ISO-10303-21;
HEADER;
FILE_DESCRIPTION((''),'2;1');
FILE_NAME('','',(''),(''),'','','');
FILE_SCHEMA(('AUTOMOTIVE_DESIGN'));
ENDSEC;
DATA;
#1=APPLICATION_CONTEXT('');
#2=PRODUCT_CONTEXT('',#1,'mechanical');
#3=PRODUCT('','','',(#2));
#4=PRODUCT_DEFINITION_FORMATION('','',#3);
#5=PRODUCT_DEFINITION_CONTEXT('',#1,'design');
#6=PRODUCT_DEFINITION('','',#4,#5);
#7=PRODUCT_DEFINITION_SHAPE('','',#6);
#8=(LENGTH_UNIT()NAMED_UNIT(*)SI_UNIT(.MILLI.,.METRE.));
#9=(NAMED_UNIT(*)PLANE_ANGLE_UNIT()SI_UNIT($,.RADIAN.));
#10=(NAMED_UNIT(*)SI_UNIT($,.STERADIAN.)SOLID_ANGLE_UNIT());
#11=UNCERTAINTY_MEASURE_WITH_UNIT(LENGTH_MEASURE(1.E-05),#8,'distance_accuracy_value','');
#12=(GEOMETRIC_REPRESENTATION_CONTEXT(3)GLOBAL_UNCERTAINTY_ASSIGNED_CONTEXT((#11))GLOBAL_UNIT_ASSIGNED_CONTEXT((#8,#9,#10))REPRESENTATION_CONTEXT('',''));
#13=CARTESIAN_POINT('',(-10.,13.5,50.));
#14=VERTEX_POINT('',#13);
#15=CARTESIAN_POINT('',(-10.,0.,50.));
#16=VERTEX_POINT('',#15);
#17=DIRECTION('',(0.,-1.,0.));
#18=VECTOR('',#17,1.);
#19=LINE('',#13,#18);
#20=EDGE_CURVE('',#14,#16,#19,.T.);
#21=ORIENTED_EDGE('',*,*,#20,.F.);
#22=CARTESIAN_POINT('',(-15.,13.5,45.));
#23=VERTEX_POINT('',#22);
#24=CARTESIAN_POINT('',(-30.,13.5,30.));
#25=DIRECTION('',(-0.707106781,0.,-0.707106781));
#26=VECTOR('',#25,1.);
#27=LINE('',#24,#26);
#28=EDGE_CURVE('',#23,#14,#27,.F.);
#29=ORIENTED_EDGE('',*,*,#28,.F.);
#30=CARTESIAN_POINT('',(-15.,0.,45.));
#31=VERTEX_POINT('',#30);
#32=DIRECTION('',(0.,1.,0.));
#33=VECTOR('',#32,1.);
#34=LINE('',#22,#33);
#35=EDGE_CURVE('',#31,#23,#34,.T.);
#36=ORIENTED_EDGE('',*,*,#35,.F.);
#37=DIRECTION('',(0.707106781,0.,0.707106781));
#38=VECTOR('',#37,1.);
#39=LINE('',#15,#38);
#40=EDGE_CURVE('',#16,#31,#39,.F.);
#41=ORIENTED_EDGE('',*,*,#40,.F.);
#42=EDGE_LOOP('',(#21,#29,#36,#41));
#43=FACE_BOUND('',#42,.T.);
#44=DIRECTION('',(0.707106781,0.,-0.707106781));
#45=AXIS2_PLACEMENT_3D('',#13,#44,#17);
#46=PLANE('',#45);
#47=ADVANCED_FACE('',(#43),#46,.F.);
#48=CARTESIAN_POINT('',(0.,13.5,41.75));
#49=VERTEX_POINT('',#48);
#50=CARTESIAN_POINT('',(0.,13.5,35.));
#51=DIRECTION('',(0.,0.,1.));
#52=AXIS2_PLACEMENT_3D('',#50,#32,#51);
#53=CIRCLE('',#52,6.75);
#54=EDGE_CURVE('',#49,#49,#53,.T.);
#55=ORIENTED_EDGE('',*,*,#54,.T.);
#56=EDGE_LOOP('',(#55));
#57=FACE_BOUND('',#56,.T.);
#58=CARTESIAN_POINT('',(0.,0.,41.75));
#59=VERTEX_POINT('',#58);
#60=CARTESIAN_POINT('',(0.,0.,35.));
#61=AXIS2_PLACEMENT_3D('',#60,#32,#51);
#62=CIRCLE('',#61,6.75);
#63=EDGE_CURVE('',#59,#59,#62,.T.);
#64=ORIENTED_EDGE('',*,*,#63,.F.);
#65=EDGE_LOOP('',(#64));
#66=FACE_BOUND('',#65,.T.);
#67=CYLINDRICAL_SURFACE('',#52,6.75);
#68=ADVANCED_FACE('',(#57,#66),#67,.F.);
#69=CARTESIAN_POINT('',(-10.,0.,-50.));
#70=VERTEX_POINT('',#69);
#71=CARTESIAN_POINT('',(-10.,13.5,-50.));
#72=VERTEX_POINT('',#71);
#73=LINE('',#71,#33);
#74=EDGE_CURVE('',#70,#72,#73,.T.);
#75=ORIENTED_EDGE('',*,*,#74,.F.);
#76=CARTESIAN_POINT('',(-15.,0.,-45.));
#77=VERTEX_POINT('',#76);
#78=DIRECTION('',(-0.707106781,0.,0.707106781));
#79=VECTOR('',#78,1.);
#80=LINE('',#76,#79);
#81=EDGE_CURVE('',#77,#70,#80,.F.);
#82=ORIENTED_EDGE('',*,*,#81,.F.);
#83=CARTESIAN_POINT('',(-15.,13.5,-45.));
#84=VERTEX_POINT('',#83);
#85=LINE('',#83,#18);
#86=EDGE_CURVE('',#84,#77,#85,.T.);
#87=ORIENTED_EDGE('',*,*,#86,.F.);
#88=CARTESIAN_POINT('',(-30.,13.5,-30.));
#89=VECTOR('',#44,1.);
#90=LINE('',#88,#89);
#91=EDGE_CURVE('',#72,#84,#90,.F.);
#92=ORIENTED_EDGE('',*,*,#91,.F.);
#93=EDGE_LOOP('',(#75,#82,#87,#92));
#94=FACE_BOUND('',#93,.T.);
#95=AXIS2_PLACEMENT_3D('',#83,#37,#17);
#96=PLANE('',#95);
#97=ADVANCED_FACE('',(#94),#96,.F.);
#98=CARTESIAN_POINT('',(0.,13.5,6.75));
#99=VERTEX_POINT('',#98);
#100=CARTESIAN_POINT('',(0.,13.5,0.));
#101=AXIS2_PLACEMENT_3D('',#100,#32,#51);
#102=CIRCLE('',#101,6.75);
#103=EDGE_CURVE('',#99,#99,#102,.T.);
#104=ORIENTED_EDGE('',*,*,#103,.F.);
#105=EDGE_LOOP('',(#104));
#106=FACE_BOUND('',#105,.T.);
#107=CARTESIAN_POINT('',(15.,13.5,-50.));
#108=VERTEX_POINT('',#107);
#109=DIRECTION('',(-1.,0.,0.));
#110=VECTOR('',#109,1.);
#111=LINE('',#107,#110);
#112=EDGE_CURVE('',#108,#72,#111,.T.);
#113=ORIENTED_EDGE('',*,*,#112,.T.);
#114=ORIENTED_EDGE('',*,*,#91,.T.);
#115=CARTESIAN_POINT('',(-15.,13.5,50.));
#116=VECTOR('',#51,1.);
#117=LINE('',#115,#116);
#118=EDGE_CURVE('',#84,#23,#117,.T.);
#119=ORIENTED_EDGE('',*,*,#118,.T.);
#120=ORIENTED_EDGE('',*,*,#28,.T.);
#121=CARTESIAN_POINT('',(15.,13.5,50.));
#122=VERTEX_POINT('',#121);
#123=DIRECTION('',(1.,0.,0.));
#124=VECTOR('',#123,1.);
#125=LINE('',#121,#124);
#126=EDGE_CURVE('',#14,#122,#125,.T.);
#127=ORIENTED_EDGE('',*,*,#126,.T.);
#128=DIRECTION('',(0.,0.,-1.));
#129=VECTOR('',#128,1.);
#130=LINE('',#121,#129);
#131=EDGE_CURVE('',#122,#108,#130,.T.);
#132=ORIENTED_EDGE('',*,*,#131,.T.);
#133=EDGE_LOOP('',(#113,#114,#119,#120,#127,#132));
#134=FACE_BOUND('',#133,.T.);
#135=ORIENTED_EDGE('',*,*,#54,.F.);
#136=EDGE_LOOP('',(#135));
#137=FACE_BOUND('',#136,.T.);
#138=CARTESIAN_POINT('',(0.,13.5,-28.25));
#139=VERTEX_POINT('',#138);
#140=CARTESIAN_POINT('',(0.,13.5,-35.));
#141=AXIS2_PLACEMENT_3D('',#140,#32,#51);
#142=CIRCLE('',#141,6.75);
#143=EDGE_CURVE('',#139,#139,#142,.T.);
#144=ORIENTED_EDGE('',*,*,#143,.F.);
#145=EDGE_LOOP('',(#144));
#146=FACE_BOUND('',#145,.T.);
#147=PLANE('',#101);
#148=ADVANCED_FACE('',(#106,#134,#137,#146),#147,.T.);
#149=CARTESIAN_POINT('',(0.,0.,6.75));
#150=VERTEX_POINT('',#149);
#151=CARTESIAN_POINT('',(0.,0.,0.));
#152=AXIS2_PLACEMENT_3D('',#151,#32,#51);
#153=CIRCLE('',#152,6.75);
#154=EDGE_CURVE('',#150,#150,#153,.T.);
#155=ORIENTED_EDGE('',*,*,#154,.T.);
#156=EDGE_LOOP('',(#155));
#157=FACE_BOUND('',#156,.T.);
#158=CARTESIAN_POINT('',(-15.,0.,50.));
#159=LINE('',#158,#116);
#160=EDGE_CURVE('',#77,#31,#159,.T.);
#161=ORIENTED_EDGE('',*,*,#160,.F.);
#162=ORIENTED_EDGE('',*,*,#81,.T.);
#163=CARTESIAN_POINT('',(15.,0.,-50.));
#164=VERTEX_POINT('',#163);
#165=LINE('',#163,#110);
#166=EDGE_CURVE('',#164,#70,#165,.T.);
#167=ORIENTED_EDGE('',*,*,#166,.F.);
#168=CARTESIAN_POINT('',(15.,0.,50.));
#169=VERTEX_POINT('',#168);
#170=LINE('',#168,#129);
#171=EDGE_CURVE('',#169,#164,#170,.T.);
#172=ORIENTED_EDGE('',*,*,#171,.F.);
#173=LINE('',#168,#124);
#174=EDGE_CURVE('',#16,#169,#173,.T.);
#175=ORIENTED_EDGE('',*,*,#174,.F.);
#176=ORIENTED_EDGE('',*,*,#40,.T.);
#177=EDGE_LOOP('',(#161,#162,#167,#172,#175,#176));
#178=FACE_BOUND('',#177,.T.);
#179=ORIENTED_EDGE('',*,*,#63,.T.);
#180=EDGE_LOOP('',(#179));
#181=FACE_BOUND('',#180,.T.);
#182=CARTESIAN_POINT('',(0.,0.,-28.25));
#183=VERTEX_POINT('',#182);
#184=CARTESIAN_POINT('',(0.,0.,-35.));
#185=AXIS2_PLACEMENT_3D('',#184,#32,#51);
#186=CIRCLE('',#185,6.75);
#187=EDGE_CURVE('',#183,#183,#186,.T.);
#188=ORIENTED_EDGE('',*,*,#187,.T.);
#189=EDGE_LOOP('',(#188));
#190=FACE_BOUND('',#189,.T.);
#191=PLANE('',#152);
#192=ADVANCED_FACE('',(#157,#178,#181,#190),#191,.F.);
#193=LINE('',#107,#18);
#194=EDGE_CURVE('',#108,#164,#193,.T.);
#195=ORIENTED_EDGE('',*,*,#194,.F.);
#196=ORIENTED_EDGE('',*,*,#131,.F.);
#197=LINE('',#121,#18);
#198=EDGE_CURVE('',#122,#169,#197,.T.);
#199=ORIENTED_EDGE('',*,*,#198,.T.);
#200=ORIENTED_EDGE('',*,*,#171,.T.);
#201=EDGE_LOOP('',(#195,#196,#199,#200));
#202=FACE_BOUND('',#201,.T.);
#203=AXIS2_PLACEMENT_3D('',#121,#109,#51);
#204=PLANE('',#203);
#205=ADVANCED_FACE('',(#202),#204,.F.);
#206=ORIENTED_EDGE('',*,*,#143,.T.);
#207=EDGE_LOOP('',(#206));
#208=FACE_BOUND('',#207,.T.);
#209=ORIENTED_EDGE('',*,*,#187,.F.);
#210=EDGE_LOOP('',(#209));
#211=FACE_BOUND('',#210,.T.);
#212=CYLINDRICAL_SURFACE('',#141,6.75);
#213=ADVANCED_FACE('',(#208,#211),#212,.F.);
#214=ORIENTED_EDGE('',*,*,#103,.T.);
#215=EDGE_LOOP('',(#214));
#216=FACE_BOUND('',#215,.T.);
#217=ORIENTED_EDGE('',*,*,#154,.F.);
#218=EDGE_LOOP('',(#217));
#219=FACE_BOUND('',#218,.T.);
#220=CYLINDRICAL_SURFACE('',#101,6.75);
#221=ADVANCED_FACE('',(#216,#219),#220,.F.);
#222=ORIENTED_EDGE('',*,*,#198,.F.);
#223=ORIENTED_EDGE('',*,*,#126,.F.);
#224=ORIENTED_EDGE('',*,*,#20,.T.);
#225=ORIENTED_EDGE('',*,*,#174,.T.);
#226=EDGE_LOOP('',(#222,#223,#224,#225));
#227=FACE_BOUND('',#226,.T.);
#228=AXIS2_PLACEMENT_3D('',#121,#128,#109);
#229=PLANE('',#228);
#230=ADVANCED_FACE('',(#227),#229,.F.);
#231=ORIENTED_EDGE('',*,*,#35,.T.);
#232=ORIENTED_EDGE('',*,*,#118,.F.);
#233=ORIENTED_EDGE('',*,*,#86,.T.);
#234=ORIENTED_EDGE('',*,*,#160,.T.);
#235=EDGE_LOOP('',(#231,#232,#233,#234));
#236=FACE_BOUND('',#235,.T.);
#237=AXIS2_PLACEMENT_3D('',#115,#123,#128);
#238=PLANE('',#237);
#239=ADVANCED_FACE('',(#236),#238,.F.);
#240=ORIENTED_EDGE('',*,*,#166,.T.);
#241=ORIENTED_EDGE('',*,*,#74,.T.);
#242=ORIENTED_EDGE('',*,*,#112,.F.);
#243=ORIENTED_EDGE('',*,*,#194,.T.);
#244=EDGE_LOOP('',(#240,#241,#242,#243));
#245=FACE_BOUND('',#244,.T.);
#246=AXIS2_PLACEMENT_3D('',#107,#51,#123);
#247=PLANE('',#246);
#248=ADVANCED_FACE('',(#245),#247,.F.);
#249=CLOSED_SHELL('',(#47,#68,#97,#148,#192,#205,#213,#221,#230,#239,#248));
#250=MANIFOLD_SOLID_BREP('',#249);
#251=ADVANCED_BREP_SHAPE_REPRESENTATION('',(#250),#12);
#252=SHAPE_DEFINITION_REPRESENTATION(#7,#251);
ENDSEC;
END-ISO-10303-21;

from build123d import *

# Parameters (mm, degrees)
SKETCH1_W             = 30
SKETCH1_H             = 100
BOSS_EXTRUDE1_DEPTH   = 13.5
M12_CLEARANCE_HOLE1_D = 13.5
CHAMFER1_SIZE         = 5


with BuildPart() as part:
    # Sketch1 → Boss-Extrude1 (new body)
    with BuildSketch(Plane(origin=(0, 0, 0), x_dir=(1, 0, 0), z_dir=(0, 1, 0))):
        Rectangle(SKETCH1_W, SKETCH1_H)
    extrude(amount=BOSS_EXTRUDE1_DEPTH)

    # M12 Clearance Hole1 (through all)
    with Locations(Plane(origin=(0, 13.5, 0), x_dir=(1, 0, 0), z_dir=(0, 1, 0))):
        with Locations((0, 35), (0, -35), (0, 0)):
            Hole(M12_CLEARANCE_HOLE1_D / 2)

    # Chamfer1
    chamfer1_edges = [part.edges().sort_by_distance(p)[0] for p in [
        (-15, 6.75, -50),
        (-15, 6.75, 50),
    ]]
    chamfer(chamfer1_edges, length=CHAMFER1_SIZE)


solid = part.part
